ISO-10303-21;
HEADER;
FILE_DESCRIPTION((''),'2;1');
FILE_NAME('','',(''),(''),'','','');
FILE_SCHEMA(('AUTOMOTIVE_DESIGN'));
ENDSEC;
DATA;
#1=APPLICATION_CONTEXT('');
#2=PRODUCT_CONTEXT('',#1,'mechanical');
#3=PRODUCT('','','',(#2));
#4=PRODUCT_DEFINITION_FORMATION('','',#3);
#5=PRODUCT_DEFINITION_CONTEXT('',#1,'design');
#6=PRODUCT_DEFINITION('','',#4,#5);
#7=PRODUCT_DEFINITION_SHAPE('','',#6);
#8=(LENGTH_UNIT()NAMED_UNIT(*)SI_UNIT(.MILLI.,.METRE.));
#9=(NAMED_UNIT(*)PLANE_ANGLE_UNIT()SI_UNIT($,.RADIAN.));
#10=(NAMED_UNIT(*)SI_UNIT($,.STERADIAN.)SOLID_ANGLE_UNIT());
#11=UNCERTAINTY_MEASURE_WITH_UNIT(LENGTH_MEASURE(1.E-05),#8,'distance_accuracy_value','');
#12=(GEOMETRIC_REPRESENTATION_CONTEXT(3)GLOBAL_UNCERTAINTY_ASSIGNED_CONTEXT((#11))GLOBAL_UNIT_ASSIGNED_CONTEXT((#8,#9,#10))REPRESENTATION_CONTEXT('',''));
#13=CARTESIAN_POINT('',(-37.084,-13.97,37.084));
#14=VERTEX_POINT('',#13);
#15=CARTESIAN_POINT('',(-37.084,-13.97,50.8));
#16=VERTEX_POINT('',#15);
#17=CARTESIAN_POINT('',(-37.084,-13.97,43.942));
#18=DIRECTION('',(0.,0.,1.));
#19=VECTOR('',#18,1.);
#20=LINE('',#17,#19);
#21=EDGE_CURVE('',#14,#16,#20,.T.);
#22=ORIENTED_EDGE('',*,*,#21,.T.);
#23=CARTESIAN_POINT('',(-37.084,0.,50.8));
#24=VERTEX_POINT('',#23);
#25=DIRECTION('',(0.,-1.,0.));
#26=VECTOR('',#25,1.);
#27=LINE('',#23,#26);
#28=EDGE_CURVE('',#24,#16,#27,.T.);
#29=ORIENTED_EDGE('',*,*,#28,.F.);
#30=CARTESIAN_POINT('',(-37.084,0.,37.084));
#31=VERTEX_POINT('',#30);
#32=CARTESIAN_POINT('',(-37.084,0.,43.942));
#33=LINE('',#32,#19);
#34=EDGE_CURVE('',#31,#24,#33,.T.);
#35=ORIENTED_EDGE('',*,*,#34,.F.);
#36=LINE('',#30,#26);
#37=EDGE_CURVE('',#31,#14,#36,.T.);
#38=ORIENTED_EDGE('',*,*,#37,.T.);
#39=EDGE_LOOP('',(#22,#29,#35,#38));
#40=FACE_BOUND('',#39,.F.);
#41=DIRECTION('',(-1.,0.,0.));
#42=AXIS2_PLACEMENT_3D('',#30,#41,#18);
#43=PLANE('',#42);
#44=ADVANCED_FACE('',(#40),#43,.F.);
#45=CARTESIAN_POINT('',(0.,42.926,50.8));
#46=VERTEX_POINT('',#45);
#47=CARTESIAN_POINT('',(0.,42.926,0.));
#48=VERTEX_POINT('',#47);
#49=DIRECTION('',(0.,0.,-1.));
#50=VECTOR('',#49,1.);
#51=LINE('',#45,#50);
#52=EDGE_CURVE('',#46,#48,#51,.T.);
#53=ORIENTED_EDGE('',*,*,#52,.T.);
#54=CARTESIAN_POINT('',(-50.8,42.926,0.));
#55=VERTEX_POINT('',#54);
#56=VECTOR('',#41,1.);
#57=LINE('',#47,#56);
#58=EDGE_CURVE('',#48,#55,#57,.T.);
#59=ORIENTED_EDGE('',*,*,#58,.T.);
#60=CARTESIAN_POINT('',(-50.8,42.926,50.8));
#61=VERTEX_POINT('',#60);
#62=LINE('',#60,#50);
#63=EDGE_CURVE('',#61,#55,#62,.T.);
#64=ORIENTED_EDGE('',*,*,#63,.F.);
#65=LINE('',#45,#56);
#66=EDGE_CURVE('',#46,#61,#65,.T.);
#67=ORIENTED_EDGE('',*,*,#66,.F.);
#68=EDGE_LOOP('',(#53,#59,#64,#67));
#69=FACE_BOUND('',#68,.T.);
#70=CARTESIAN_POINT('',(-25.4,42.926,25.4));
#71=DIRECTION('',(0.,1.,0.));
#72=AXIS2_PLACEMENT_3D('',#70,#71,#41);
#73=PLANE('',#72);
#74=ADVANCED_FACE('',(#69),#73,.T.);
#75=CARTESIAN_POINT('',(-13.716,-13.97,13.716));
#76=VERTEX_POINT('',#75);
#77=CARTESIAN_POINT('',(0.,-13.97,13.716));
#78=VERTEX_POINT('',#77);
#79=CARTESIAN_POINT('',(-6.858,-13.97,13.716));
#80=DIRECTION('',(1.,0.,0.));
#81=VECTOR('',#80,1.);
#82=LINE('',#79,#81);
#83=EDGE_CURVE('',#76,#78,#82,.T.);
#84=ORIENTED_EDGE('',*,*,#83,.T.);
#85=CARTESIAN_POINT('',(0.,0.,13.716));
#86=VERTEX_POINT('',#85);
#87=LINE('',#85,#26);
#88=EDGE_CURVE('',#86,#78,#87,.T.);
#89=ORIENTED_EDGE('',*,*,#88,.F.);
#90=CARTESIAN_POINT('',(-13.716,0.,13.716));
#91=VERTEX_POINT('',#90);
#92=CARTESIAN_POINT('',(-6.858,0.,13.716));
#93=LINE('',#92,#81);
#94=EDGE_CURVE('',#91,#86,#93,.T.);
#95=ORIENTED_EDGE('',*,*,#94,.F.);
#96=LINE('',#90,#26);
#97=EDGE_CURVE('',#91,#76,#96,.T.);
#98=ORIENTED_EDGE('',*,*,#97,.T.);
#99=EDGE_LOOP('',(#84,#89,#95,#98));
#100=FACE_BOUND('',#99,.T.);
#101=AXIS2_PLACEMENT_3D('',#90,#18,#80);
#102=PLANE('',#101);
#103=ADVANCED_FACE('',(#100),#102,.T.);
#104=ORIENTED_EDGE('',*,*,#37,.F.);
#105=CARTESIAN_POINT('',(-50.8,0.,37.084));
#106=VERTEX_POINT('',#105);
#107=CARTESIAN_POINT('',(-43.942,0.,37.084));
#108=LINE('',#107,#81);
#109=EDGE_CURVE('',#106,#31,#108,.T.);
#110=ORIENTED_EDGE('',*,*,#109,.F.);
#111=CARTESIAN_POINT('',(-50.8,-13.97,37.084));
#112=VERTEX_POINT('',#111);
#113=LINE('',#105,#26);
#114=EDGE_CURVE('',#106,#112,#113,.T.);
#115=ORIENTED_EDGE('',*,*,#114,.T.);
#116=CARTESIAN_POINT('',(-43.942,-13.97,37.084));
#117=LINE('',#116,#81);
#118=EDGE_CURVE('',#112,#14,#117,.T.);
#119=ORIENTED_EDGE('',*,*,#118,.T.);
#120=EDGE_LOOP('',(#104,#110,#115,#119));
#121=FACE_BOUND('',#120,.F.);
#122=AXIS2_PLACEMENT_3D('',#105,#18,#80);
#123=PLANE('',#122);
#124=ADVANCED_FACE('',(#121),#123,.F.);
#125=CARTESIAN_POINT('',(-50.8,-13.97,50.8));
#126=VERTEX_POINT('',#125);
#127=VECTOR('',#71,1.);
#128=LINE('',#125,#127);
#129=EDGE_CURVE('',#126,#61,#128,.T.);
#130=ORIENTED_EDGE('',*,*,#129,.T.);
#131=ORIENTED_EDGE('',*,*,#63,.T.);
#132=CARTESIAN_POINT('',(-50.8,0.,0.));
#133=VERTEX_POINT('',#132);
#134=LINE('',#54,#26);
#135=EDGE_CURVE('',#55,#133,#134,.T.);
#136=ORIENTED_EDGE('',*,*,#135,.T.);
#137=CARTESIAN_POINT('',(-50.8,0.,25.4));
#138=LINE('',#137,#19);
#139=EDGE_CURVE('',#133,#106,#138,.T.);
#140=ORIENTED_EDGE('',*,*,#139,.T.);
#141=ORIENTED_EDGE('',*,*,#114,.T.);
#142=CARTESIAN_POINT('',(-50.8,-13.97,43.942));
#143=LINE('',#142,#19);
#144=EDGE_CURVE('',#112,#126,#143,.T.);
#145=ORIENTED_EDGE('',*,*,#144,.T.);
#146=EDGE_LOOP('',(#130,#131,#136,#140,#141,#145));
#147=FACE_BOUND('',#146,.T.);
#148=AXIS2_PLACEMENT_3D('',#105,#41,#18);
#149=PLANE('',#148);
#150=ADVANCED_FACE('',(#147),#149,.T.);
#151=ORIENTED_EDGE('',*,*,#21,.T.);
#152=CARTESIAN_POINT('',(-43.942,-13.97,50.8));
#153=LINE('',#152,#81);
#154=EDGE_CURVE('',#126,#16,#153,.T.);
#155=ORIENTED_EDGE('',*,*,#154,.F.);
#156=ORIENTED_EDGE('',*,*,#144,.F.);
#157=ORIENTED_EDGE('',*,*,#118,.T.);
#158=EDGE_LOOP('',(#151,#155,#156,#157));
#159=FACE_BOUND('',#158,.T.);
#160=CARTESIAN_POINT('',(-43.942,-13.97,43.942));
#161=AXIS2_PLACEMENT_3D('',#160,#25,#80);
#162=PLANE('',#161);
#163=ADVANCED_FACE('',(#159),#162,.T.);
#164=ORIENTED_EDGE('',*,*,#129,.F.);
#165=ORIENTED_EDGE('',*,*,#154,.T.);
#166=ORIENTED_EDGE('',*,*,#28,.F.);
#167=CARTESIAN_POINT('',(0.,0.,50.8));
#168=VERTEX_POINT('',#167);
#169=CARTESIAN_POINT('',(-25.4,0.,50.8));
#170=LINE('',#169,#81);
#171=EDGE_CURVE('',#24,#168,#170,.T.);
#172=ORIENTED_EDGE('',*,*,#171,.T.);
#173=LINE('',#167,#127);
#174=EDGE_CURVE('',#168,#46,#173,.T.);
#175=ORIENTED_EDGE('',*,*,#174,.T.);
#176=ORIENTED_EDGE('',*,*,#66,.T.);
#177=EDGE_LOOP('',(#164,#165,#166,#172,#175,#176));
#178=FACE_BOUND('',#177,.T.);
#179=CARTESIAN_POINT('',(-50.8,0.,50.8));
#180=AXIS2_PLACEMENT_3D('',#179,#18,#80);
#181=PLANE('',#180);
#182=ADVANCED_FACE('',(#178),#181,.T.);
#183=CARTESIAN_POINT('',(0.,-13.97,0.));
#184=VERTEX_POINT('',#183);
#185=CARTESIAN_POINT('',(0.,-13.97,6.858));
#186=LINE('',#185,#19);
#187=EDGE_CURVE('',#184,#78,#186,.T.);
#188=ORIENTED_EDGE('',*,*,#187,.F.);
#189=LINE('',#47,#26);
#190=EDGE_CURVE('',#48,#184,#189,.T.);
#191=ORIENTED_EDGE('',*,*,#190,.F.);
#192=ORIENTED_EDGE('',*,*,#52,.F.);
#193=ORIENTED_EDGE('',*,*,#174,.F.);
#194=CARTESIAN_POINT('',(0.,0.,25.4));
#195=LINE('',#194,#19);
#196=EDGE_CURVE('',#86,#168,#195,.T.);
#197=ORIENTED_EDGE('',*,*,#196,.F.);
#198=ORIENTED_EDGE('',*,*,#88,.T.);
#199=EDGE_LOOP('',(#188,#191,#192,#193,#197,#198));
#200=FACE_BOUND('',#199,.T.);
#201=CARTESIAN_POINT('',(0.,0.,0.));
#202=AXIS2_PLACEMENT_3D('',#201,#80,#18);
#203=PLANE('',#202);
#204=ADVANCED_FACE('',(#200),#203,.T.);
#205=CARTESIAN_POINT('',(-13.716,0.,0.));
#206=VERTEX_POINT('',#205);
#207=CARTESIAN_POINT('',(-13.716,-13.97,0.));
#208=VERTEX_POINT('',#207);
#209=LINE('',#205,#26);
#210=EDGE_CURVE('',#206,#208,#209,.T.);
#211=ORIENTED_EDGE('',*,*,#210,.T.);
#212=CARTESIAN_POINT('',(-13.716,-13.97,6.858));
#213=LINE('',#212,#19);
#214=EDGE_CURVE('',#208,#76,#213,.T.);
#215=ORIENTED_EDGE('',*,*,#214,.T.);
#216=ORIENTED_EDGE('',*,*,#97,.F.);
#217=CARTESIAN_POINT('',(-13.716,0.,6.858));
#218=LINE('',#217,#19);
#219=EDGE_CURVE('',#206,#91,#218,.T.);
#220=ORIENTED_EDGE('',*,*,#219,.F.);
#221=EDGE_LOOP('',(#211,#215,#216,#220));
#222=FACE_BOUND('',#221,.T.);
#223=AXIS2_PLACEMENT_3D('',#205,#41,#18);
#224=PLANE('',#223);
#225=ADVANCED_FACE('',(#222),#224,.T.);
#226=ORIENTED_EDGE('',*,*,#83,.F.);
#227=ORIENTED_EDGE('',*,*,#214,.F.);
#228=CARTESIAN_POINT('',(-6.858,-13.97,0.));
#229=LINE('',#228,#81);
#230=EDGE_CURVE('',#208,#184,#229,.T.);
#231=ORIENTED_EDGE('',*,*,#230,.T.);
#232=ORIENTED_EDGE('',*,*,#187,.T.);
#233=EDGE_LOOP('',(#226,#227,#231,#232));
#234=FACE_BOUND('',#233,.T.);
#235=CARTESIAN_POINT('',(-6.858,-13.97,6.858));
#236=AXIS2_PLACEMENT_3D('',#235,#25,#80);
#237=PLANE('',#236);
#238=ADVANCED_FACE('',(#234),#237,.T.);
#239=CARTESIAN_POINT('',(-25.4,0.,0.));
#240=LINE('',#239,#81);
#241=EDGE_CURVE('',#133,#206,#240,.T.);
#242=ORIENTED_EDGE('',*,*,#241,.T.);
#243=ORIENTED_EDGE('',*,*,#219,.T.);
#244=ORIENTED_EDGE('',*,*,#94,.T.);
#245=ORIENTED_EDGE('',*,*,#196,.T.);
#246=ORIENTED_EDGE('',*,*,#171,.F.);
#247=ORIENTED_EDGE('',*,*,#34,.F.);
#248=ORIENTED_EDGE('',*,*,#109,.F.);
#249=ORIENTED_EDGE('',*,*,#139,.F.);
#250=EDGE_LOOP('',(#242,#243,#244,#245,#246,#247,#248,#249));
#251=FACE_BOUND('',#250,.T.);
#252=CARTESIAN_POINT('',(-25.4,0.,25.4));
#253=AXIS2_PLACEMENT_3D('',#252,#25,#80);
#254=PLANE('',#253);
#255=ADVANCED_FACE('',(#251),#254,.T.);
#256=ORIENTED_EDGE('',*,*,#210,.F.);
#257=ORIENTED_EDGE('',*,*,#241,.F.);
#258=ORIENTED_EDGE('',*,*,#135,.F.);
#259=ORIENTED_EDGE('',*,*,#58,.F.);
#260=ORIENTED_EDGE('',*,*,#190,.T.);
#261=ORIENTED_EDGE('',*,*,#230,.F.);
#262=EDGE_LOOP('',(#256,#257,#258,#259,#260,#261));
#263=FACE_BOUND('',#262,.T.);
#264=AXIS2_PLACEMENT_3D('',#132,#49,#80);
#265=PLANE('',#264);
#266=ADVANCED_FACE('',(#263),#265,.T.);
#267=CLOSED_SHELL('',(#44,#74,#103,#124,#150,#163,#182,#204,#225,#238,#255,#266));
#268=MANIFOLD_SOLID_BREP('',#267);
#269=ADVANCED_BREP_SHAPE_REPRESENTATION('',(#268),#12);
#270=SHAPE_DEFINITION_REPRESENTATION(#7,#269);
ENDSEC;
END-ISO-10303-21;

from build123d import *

# Parameters (mm, degrees)
F0_W       = 50.8
F0_H       = 50.8
F1_DEPTH   = 24.892
F2_W       = 13.716
F2_H       = 13.716
F3_DEPTH   = 13.97
F5_W       = 50.8
F5_H       = 50.8
F1_FACE1_W = 50.8
F1_FACE1_H = 50.8
F6_DEPTH   = 18.034


with BuildPart() as f1:
    # F0 (on Front) → F1 (new body)
    with BuildSketch(Plane.XZ):
        with Locations((-25.4, 25.4)):
            Rectangle(F0_W, F0_H)
    extrude(amount=-F1_DEPTH)

    # F2 (on face) → F3 (join)
    with BuildSketch(Plane.XZ):
        with Locations((-43.942, 43.942)):
            Rectangle(F2_W, F2_H)
        with Locations((-6.858, 6.858)):
            Rectangle(F2_W, F2_H)
    extrude(amount=F3_DEPTH)

    # F5 (on face) + F4 (on face) + F1_face1 (on face) → F6 (join, symmetric)
    with BuildSketch(Plane(origin=(0, 24.892, 0), x_dir=(-1, 0, 0), z_dir=(0, 1, 0))):
        with Locations((25.4, 25.4)):
            Rectangle(F5_W, F5_H)
    with BuildSketch(Plane(origin=(0, 24.892, 0), x_dir=(-1, 0, 0), z_dir=(0, 1, 0))):
        Polygon((13.716, 0), (37.084, 0), (37.084, 13.5469082743), (50.8, 13.5469082743), (50.8, 36.3148450851), (37.084, 36.3148450851), (37.084, 50.8), (13.716, 50.8), (13.716, 35.1472571492), (0, 35.1472571492), (0, 12.9631143063), (13.716, 12.9631143063), align=None)
    with BuildSketch(Plane(origin=(-25.4, 24.892, 25.4), x_dir=(1, 0, 0), z_dir=(0, 1, 0))):
        Rectangle(F1_FACE1_W, F1_FACE1_H)
    extrude(amount=F6_DEPTH, both=True)


solid = f1.part
